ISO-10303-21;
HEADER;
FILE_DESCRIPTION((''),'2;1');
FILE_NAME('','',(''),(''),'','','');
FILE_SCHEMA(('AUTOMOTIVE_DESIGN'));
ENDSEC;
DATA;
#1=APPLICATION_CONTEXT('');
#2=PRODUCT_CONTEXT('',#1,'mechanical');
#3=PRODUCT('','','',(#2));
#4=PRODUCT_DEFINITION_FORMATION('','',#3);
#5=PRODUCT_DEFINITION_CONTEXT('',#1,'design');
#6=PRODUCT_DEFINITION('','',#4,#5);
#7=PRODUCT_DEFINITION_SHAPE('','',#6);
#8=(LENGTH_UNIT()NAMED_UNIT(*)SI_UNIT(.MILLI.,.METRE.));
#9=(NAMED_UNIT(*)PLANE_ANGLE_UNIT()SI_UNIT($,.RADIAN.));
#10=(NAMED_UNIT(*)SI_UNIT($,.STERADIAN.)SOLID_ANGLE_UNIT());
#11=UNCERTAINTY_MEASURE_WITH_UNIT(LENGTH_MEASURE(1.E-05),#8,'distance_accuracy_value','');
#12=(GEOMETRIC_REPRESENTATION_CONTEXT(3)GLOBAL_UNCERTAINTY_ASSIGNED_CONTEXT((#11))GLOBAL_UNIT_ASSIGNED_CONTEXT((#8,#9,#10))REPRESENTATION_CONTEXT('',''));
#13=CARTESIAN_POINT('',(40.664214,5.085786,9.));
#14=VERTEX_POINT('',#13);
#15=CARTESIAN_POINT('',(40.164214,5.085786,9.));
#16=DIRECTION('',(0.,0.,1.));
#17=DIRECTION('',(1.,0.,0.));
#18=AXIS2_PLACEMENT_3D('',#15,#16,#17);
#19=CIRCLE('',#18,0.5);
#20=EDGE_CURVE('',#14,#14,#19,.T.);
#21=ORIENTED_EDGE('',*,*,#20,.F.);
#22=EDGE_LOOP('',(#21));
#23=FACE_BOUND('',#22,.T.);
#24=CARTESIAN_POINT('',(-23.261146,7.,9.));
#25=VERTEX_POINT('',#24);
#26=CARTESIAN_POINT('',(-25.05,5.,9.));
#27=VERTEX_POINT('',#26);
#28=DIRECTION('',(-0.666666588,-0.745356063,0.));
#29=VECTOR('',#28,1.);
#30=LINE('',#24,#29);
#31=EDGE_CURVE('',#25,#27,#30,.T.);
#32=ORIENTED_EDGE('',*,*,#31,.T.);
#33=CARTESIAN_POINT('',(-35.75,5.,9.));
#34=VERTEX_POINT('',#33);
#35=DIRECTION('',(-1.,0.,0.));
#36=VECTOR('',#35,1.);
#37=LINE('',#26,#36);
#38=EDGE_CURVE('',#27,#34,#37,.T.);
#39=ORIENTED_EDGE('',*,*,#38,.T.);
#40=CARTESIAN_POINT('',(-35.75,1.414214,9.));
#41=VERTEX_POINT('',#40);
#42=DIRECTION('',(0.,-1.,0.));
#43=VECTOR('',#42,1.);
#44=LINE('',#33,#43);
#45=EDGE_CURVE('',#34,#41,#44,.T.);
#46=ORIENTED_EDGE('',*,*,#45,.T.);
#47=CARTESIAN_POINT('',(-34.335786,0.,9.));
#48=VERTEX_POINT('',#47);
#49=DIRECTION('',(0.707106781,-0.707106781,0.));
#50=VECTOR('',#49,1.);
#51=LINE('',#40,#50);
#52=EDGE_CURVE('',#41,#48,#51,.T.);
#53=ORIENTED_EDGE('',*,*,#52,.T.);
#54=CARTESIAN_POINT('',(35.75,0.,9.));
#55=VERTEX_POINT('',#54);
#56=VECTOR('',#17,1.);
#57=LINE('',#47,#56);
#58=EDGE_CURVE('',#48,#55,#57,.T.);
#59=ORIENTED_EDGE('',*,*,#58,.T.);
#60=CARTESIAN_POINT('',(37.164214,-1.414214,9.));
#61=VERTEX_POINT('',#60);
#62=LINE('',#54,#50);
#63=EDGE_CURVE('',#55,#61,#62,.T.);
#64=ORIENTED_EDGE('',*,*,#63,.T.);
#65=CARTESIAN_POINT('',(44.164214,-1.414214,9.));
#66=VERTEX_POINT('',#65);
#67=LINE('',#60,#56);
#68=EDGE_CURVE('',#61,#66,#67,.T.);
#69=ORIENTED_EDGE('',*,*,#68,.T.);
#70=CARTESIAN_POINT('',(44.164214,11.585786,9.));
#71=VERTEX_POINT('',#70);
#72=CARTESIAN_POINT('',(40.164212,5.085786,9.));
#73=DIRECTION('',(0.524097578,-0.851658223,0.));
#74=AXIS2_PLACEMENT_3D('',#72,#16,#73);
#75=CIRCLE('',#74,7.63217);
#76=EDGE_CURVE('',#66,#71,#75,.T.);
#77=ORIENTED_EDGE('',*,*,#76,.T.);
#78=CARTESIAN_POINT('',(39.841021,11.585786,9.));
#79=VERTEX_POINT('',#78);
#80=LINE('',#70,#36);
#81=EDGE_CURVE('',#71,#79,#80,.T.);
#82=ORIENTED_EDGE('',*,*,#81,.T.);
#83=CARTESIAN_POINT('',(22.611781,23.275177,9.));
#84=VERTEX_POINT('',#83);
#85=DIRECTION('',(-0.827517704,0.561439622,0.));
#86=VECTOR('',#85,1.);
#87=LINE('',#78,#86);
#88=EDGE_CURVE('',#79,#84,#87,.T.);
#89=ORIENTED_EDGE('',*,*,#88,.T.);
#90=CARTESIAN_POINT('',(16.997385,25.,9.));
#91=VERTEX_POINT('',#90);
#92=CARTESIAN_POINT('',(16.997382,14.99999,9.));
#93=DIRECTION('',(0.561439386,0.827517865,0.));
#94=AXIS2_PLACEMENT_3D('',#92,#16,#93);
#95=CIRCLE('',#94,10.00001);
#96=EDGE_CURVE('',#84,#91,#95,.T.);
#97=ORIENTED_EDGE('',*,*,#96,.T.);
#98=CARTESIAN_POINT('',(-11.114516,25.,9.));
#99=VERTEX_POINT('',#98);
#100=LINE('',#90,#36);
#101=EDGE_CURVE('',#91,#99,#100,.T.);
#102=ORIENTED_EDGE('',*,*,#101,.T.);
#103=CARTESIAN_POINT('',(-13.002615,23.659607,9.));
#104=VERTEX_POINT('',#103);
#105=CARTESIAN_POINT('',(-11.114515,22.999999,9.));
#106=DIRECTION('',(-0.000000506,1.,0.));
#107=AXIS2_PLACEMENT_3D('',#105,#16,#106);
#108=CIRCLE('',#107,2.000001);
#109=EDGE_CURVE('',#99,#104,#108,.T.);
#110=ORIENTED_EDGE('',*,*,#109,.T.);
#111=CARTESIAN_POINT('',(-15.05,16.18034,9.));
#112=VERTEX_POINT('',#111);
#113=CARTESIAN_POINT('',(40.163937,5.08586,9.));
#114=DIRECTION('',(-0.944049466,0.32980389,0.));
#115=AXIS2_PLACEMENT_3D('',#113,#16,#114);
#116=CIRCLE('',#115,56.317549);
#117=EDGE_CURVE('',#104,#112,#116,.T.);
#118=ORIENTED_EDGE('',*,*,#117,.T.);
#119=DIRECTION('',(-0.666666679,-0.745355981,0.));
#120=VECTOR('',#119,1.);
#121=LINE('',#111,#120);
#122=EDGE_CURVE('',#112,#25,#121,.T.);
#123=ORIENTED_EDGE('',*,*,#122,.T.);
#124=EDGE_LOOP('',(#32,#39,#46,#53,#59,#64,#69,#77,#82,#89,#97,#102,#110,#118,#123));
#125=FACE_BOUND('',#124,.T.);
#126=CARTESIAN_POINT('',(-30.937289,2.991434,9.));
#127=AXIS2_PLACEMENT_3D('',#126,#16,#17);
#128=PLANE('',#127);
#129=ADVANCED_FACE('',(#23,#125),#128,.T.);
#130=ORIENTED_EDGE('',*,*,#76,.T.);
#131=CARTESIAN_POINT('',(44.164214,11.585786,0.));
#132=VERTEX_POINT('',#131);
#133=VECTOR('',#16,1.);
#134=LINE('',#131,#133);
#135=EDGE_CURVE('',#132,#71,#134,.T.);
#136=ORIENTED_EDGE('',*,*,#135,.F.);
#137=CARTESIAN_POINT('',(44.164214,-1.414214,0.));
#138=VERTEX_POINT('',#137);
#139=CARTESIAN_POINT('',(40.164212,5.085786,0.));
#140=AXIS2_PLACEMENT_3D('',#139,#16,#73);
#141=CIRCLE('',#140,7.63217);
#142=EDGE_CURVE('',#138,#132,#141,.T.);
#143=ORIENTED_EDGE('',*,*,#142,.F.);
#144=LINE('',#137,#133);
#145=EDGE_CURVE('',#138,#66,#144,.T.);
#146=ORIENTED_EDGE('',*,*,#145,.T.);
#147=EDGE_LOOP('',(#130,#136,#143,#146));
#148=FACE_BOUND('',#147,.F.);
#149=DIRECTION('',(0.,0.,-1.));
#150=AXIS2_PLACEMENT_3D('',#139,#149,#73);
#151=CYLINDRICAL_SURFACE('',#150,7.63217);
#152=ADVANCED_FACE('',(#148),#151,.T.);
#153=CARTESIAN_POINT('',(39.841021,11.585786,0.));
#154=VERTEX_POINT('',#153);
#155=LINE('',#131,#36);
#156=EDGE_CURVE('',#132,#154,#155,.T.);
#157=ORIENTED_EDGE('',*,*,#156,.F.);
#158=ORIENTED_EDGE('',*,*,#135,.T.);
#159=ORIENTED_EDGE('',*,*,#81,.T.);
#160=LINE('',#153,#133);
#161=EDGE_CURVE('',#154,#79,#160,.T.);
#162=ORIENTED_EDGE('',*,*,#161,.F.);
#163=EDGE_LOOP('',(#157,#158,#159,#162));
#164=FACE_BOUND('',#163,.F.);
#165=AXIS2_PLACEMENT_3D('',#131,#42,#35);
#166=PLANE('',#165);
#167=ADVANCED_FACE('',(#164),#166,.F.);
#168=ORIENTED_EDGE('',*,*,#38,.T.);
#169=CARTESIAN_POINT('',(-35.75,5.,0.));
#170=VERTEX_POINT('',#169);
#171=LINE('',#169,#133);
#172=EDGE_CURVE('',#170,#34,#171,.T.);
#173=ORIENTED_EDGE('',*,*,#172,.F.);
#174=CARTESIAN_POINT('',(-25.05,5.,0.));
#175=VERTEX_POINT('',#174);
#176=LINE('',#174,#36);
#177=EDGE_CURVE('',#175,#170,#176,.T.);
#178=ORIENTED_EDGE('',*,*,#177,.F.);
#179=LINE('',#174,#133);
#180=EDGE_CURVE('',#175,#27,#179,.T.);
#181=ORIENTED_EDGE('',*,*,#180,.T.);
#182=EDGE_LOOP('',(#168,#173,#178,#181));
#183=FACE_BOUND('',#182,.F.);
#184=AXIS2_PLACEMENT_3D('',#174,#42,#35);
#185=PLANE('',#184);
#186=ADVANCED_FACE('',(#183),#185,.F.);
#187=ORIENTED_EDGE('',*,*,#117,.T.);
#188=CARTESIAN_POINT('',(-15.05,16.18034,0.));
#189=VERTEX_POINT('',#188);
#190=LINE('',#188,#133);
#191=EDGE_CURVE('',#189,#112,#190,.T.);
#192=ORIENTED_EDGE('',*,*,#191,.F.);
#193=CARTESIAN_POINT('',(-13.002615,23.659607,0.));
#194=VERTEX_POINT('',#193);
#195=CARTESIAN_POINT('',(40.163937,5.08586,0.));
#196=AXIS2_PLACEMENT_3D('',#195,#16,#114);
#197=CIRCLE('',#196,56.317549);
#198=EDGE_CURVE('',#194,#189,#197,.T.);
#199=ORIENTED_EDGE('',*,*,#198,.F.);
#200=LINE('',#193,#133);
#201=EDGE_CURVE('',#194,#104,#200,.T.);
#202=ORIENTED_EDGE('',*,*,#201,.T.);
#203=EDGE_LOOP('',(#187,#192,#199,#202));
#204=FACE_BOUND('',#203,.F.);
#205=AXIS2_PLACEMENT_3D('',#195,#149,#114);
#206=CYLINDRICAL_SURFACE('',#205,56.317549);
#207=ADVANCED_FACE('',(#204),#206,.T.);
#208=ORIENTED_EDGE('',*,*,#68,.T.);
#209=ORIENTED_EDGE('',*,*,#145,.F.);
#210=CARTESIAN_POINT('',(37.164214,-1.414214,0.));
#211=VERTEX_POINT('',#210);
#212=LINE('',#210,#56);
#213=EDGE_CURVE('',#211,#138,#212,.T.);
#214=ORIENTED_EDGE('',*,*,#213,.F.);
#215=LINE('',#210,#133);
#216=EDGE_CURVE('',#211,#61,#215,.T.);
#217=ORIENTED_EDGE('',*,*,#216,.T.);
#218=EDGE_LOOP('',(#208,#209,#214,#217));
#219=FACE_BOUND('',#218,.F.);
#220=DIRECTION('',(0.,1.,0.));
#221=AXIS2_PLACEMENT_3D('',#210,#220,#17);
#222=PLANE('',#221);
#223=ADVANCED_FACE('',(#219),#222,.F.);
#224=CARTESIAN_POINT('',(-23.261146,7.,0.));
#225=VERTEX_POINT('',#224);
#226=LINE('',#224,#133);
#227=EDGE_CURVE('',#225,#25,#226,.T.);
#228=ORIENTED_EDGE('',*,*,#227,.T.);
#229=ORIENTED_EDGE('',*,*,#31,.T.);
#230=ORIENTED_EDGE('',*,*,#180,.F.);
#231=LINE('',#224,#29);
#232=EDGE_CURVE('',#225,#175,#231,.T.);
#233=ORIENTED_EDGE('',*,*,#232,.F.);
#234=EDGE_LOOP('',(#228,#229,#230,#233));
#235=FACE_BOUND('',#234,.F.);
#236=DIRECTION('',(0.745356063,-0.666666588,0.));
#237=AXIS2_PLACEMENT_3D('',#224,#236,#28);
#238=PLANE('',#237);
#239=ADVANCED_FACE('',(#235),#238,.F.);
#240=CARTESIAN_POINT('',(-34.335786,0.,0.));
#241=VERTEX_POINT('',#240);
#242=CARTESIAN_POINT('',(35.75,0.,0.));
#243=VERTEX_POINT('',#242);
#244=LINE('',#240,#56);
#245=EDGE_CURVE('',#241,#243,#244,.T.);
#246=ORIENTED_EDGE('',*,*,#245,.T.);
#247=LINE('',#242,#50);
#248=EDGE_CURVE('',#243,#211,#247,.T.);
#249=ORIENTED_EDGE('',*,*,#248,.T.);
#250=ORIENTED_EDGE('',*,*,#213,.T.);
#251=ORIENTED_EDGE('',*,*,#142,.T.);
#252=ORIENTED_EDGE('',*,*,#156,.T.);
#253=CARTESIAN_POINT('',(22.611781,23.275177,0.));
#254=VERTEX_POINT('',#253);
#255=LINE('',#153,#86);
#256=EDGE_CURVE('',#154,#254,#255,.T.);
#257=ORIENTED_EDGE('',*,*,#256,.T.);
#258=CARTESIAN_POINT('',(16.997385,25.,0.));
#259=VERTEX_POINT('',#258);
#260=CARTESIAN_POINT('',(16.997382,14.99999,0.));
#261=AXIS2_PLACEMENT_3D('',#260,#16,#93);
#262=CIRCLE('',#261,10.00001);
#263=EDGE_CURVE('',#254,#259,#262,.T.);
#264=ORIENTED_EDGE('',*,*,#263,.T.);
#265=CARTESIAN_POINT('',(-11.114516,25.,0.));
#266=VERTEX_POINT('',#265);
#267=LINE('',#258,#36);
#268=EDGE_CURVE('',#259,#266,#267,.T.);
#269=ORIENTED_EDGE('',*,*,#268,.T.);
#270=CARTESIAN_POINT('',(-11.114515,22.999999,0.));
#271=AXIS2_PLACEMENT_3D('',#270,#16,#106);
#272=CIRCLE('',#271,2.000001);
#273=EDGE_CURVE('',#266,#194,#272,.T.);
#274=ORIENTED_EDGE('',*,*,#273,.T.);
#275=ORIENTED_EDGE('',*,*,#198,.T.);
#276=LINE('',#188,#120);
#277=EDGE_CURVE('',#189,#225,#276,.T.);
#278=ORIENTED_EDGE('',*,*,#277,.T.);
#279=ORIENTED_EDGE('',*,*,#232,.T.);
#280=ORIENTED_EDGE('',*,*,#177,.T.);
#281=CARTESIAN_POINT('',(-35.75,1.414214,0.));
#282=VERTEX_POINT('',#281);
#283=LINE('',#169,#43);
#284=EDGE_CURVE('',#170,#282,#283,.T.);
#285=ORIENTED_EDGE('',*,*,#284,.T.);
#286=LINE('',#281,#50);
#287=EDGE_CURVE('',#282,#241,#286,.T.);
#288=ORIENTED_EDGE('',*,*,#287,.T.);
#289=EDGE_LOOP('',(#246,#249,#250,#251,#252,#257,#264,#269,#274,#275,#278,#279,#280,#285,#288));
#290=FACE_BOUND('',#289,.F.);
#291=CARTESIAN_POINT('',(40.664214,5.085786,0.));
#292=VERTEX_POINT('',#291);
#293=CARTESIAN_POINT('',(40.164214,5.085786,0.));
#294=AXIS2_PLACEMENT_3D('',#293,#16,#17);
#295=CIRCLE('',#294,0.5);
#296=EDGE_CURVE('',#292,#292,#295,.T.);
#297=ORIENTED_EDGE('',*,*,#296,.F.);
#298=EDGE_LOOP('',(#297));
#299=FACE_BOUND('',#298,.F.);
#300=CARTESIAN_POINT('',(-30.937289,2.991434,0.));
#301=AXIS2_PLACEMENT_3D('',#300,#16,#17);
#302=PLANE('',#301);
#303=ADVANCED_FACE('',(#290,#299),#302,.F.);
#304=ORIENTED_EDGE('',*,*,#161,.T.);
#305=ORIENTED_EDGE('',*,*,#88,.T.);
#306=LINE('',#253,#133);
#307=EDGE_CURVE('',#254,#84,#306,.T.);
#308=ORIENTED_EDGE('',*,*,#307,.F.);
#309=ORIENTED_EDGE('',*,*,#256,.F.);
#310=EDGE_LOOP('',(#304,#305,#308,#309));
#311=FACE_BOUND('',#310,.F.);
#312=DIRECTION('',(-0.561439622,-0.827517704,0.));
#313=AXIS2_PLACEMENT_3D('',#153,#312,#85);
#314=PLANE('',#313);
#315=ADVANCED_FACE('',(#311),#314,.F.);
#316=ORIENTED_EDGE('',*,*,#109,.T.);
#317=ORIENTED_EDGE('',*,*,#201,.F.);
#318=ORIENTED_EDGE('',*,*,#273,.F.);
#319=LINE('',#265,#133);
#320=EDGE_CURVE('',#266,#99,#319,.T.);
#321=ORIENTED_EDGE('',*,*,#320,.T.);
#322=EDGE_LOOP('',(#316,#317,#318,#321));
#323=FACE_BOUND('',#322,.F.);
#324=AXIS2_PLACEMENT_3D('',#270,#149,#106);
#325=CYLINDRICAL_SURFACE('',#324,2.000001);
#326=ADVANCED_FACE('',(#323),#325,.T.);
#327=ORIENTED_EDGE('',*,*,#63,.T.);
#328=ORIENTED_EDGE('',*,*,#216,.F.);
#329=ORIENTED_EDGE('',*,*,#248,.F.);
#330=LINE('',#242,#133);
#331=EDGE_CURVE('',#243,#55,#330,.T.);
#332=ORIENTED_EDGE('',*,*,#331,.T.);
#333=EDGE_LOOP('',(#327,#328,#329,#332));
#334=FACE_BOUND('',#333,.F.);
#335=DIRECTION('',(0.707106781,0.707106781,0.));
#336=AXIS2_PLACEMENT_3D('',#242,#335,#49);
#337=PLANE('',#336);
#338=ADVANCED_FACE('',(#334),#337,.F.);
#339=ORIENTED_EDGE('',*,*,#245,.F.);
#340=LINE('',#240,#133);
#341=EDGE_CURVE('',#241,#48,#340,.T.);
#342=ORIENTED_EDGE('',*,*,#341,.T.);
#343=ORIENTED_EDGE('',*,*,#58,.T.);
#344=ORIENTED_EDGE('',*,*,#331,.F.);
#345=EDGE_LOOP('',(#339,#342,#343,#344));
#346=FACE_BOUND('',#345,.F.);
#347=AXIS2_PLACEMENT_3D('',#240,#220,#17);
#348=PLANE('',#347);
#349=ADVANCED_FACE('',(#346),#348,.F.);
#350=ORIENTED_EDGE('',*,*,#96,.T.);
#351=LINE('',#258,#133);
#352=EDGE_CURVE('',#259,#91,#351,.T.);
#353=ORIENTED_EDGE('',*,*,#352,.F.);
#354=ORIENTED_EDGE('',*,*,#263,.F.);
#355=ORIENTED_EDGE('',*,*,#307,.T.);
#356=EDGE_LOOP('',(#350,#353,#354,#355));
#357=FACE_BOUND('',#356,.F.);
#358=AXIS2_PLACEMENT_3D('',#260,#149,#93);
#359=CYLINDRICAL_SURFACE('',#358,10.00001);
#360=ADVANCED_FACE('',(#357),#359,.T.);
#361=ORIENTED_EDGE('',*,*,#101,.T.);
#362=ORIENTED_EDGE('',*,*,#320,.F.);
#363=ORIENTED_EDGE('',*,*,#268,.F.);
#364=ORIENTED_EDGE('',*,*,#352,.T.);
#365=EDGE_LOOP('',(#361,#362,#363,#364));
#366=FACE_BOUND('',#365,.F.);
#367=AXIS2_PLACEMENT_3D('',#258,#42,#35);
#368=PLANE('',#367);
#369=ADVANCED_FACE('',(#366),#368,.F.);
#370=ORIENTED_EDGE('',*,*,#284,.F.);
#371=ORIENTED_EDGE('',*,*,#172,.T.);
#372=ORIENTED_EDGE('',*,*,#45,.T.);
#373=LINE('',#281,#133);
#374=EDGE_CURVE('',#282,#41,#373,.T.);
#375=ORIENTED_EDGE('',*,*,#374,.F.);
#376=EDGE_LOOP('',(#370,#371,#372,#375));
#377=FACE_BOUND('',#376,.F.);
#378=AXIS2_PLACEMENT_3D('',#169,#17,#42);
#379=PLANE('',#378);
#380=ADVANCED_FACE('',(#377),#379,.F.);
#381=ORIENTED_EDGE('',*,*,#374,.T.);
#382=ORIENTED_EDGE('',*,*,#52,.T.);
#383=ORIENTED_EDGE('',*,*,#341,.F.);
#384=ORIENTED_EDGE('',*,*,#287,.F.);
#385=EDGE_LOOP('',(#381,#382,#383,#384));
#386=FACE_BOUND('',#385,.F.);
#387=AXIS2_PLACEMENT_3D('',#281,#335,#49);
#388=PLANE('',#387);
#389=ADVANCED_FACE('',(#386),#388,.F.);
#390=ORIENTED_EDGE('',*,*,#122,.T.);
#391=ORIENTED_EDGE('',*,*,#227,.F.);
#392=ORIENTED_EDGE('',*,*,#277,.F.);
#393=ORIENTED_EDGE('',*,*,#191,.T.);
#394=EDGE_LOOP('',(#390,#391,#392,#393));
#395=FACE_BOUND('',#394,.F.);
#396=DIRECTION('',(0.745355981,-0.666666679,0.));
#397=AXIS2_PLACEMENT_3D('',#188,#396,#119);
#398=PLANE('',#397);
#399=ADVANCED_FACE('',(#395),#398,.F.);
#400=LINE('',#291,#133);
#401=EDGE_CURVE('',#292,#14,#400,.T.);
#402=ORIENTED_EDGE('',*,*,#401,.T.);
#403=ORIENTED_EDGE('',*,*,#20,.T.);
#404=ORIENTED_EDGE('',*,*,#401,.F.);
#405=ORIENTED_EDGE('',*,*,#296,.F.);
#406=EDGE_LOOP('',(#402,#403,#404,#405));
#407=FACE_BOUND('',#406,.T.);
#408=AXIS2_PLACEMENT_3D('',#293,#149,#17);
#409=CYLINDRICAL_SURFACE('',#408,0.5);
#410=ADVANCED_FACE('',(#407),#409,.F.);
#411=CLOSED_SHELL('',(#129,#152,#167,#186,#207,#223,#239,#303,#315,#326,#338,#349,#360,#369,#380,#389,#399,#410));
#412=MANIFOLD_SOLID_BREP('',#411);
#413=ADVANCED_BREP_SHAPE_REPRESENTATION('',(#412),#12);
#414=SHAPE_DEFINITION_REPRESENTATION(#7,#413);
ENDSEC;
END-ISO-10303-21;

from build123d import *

# Parameters (mm, degrees)
F0_R     = 1.925
F0_W     = 1.25
F0_H     = 2.5
F0_R_2   = 0.5
F1_DEPTH = 9


with BuildPart() as f1:
    # F0 (on Top) → F1 (new body)
    with BuildSketch(Plane.XY):
        Polygon((-35.75, 1.414214), (-34.335786, 0), (-29.522136, 0), (-25.05, 5), (-35.75, 5), align=None)
        with BuildLine():
            Line((-25.05, 5), (-29.522136, 0))
            Line((-29.522136, 0), (-0.75, 0))
            Line((-0.75, 0), (-0.75, 4))
            ThreePointArc((-0.75, 4), (-1.62868, 6.12132), (-3.75, 7))
            Line((-3.75, 7), (-23.261146, 7))
            Line((-23.261146, 7), (-25.05, 5))
        make_face()
        with BuildLine():
            Line((-0.75, 4), (-0.75, 0))
            Line((-0.75, 0), (35.75, 0))
            Line((35.75, 0), (37.164214, -1.414214))
            Line((37.164214, -1.414214), (44.164214, -1.414214))
            ThreePointArc((44.164214, -1.414214), (47.796382, 5.085786), (44.164214, 11.585786))
            Line((44.164214, 11.585786), (39.841021, 11.585786))
            Line((39.841021, 11.585786), (22.611781, 23.275177))
            ThreePointArc((22.611781, 23.275177), (19.934069, 24.559073), (16.997385, 25))
            Line((16.997385, 25), (2.247385, 25))
            Line((2.247385, 25), (2.247385, 22.5))
            Line((2.247385, 22.5), (0.997385, 22.5))
            Line((0.997385, 22.5), (0.997385, 25))
            Line((0.997385, 25), (-11.114516, 25))
            ThreePointArc((-11.114516, 25), (-12.272269, 24.63083), (-13.002615, 23.659607))
            ThreePointArc((-13.002615, 23.659607), (-14.155189, 19.955254), (-15.05, 16.18034))
            Line((-15.05, 16.18034), (-23.261146, 7))
            Line((-23.261146, 7), (-3.75, 7))
            ThreePointArc((-3.75, 7), (-1.62868, 6.12132), (-0.75, 4))
        make_face()
        with Locations((40.164214, 5.085786)):
            Circle(F0_R, mode=Mode.SUBTRACT)
        with Locations((1.622385, 23.75)):
            Rectangle(F0_W, F0_H)
        with Locations((40.164214, 5.085786)):
            Circle(F0_R)
        with Locations((40.164214, 5.085786)):
            Circle(F0_R_2, mode=Mode.SUBTRACT)
    extrude(amount=F1_DEPTH)


solid = f1.part
